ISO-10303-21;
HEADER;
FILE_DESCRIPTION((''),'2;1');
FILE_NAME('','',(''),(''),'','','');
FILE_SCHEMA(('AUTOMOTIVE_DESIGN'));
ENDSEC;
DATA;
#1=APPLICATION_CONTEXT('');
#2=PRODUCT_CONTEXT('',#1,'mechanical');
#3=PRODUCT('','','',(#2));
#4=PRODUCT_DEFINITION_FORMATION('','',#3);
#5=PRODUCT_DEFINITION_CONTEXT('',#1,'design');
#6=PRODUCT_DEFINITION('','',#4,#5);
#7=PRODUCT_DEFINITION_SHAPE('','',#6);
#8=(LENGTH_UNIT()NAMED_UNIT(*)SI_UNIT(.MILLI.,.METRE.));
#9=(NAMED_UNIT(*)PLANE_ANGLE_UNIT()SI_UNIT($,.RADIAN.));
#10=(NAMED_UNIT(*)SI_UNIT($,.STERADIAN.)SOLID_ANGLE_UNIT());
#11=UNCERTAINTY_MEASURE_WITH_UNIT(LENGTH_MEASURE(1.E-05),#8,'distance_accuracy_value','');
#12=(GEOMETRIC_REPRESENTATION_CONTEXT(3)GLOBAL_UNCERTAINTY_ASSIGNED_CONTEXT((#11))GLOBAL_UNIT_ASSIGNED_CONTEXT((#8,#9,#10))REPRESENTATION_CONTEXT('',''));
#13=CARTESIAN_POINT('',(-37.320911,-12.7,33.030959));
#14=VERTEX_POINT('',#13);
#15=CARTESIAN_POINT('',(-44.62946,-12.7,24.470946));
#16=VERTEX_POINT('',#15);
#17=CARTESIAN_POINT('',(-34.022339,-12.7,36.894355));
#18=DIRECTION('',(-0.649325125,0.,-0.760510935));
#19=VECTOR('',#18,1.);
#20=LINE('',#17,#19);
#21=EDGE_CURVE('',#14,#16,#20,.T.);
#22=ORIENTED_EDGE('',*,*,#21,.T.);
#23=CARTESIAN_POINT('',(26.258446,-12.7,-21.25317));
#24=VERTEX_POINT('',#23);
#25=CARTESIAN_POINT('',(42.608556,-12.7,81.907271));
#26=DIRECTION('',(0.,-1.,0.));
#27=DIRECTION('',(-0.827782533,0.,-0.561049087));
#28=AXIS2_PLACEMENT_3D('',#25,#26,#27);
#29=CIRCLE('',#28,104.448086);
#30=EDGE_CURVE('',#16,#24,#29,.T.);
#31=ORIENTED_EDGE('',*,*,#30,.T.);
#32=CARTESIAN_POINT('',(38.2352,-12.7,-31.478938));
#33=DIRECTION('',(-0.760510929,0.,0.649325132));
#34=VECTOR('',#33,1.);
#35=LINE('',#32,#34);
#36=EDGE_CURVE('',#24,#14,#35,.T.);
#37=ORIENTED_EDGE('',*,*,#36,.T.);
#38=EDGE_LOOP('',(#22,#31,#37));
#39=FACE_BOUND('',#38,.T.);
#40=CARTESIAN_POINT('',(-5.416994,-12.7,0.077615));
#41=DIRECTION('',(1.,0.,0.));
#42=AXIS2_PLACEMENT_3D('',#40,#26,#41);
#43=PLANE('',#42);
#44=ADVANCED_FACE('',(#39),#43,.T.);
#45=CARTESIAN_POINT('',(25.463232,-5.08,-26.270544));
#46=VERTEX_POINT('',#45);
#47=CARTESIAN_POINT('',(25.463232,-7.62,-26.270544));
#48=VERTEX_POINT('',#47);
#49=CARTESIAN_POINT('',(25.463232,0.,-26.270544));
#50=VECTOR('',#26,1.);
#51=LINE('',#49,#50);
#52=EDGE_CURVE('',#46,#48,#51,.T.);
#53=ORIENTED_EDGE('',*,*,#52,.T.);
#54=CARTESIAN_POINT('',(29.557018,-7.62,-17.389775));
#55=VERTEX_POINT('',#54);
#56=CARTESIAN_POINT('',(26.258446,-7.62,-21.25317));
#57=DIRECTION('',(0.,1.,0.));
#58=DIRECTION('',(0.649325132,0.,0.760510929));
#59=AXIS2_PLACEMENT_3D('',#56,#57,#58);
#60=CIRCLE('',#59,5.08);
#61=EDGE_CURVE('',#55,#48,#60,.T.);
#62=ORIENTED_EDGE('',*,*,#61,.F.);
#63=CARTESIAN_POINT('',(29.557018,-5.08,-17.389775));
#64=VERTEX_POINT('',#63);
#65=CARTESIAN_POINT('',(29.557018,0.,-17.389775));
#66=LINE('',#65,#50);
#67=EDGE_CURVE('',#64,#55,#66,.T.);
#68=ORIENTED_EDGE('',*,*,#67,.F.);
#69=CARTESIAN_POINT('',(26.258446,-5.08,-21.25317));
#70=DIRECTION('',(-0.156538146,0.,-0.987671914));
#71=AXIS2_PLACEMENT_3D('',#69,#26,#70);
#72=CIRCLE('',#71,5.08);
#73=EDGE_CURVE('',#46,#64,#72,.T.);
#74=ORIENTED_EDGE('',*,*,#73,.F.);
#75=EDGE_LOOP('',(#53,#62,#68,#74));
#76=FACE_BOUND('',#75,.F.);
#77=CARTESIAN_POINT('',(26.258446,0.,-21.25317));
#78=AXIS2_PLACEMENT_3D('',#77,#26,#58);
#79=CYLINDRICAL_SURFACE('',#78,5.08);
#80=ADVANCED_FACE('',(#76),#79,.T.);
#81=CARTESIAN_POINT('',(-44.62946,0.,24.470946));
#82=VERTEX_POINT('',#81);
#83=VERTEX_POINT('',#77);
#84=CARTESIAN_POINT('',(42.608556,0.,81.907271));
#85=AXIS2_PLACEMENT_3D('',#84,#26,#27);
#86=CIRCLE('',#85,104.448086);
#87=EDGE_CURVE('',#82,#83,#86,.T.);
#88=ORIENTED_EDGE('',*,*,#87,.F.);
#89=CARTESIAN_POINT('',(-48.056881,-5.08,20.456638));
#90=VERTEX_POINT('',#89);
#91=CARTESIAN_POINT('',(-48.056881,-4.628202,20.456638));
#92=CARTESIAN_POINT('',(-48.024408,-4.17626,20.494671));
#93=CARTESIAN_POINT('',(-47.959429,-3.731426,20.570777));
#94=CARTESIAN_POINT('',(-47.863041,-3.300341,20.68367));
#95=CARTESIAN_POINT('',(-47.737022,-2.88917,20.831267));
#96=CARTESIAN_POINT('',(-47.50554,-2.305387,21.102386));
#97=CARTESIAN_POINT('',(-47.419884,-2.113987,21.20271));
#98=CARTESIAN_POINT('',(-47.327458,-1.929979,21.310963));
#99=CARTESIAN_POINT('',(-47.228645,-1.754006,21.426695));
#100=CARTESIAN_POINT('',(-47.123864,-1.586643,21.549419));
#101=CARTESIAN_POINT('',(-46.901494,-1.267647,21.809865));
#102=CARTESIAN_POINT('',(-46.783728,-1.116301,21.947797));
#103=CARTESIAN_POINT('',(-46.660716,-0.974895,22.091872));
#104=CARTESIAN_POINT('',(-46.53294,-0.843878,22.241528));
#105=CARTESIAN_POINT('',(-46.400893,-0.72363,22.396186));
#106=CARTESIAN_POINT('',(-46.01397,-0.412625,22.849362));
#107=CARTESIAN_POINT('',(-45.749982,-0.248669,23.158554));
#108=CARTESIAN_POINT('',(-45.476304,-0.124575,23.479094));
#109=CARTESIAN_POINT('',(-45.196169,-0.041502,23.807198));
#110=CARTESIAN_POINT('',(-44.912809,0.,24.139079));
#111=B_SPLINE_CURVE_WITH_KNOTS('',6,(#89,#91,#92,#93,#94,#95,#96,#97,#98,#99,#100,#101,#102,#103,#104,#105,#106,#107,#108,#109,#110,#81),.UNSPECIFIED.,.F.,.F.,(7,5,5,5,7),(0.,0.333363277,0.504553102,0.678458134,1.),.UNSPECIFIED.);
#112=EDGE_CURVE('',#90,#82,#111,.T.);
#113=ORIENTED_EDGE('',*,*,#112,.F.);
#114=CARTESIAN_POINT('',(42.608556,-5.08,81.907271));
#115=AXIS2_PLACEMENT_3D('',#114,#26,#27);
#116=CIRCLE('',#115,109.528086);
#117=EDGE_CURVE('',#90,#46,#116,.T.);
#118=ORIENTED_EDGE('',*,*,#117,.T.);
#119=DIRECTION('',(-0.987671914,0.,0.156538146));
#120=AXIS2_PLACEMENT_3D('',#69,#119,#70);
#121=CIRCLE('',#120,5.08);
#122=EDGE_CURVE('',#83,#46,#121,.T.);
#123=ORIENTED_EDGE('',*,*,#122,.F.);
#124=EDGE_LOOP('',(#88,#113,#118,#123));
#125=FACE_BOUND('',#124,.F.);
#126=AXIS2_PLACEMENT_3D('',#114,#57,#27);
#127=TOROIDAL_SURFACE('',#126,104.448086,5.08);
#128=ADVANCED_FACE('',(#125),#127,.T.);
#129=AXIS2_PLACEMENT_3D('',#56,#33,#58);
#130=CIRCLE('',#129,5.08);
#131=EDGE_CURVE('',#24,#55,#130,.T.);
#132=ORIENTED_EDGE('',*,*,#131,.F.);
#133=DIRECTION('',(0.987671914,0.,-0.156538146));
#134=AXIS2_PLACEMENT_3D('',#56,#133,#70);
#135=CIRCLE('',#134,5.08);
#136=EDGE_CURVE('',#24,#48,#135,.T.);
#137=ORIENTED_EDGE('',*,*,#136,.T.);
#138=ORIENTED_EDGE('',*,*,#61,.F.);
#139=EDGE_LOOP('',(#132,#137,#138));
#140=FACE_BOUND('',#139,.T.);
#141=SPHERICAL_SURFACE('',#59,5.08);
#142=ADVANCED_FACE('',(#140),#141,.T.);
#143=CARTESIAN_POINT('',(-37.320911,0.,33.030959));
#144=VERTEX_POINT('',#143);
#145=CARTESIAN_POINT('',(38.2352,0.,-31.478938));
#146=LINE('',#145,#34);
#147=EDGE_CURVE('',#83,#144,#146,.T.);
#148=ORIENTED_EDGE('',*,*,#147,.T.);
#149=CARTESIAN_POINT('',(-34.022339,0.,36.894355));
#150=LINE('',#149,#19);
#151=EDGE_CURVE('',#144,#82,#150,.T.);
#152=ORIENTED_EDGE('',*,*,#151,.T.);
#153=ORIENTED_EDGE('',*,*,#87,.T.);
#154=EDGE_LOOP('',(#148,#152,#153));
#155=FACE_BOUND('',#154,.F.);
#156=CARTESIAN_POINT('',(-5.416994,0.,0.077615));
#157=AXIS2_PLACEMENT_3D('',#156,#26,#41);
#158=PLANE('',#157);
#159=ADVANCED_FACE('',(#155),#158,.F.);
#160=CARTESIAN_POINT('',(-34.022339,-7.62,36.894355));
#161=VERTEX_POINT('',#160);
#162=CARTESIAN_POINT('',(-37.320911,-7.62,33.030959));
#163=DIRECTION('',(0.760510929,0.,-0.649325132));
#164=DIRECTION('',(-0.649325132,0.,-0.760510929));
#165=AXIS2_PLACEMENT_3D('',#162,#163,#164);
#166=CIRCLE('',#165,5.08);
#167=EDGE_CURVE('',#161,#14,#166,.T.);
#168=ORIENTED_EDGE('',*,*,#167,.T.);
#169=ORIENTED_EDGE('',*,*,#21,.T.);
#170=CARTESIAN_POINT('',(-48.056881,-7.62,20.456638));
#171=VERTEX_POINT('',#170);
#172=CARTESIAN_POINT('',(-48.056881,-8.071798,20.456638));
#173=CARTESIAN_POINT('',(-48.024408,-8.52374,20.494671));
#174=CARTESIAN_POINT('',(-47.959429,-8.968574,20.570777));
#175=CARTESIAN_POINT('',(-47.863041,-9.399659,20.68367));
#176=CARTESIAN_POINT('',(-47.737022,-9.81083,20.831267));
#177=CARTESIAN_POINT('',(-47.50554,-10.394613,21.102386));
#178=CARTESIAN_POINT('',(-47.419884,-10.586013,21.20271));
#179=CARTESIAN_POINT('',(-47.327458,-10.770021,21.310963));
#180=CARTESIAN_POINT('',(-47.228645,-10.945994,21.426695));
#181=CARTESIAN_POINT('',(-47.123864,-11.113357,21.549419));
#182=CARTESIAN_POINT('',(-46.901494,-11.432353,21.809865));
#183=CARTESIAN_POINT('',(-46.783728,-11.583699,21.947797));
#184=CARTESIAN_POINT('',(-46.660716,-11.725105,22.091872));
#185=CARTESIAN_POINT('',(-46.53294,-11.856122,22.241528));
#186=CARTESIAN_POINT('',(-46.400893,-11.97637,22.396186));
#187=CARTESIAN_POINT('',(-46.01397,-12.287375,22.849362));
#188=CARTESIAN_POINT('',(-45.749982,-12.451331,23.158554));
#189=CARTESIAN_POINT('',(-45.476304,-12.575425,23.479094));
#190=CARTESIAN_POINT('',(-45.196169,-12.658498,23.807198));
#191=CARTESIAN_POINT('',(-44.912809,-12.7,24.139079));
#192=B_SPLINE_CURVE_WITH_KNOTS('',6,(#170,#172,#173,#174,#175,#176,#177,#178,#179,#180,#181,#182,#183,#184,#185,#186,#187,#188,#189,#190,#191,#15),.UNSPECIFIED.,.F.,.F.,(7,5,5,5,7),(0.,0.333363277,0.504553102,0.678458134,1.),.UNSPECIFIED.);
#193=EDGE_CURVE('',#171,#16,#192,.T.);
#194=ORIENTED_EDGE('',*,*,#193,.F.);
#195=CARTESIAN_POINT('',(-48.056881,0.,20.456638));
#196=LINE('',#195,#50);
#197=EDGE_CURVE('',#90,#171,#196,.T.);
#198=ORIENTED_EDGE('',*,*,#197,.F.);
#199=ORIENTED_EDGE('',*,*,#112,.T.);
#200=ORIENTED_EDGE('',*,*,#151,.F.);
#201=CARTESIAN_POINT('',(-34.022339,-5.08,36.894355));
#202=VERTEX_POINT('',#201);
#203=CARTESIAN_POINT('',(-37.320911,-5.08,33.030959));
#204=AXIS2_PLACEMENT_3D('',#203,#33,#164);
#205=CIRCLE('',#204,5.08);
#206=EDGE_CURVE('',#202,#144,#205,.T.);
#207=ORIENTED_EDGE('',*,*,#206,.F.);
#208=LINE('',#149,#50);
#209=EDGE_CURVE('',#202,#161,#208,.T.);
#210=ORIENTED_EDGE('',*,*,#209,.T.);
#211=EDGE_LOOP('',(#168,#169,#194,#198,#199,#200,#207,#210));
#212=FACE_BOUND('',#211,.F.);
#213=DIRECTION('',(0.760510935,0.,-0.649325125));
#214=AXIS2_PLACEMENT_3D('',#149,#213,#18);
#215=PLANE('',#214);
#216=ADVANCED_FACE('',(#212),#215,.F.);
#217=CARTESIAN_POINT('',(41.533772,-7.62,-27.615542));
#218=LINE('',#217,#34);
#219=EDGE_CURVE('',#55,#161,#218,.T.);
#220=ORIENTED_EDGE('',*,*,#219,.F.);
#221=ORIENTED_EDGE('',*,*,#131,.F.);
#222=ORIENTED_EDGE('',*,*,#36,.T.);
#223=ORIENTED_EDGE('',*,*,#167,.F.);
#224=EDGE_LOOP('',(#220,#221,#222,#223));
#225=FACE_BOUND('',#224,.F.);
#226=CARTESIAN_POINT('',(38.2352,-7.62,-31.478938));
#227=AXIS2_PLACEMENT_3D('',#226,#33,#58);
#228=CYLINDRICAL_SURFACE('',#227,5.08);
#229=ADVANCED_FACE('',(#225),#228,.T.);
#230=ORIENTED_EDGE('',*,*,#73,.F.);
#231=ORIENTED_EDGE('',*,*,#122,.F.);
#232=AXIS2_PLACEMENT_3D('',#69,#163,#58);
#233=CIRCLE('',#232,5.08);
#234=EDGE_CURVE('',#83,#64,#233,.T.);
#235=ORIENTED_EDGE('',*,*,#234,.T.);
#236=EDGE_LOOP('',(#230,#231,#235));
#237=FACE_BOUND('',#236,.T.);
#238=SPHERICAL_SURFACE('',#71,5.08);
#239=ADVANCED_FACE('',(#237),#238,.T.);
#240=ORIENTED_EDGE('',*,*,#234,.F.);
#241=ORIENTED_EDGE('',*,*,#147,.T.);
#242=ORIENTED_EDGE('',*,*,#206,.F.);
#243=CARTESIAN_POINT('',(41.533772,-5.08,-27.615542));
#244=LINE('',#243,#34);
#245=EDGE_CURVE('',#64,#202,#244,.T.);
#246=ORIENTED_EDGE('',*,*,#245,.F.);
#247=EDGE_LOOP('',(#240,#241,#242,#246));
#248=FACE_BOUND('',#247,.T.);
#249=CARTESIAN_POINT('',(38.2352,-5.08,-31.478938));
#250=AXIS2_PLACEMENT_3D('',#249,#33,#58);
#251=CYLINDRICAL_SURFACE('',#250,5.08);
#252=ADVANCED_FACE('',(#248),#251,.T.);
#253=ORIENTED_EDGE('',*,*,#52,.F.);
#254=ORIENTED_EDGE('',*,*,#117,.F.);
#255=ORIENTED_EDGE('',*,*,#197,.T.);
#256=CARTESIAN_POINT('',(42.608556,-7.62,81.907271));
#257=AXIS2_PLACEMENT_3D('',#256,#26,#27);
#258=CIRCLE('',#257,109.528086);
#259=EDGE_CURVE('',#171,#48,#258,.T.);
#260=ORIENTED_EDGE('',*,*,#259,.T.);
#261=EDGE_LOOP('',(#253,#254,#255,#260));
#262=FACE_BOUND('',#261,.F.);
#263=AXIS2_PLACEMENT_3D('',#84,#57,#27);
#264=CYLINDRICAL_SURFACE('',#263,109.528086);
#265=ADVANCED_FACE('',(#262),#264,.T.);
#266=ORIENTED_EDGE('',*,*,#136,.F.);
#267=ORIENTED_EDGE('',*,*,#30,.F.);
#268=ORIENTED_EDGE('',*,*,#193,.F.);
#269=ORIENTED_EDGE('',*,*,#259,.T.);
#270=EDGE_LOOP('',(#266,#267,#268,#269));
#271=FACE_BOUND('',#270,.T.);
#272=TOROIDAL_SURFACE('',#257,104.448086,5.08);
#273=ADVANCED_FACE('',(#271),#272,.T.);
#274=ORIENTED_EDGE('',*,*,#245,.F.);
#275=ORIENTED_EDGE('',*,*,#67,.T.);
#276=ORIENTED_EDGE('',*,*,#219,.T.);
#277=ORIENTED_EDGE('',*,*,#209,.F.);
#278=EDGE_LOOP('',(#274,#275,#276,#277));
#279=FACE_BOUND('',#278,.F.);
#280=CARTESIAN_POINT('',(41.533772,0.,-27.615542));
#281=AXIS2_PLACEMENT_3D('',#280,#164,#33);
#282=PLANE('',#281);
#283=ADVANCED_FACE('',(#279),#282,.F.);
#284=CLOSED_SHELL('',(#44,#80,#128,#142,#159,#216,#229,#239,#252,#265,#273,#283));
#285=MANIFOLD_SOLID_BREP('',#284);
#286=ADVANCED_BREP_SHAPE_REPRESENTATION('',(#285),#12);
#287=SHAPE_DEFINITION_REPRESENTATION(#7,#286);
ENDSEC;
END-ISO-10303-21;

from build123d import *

# Parameters (mm, degrees)
F1_DEPTH = 12.7
F2_R     = 5.08


with BuildPart() as f1:
    # F0 (on Front) → F1 (new body)
    with BuildSketch(Plane.XZ):
        with BuildLine():
            Line((41.533772, -27.615542), (-34.022339, 36.894355))
            Line((-34.022339, 36.894355), (-48.056881, 20.456638))
            ThreePointArc((-48.056881, 20.456638), (-9.177549, -14.60491), (41.533772, -27.615542))
        make_face()
    extrude(amount=F1_DEPTH)

    # F2
    f2_edges = [f1.edges().sort_by_distance(p)[0] for p in [
        (3.755717, -12.7, 4.639407),
        (-9.177549, -12.7, -14.60491),
        (-9.177549, 0, -14.60491),
        (3.755717, 0, 4.639407),
        (41.533772, -6.35, -27.615542),
    ]]
    fillet(f2_edges, radius=F2_R)


solid = f1.part
